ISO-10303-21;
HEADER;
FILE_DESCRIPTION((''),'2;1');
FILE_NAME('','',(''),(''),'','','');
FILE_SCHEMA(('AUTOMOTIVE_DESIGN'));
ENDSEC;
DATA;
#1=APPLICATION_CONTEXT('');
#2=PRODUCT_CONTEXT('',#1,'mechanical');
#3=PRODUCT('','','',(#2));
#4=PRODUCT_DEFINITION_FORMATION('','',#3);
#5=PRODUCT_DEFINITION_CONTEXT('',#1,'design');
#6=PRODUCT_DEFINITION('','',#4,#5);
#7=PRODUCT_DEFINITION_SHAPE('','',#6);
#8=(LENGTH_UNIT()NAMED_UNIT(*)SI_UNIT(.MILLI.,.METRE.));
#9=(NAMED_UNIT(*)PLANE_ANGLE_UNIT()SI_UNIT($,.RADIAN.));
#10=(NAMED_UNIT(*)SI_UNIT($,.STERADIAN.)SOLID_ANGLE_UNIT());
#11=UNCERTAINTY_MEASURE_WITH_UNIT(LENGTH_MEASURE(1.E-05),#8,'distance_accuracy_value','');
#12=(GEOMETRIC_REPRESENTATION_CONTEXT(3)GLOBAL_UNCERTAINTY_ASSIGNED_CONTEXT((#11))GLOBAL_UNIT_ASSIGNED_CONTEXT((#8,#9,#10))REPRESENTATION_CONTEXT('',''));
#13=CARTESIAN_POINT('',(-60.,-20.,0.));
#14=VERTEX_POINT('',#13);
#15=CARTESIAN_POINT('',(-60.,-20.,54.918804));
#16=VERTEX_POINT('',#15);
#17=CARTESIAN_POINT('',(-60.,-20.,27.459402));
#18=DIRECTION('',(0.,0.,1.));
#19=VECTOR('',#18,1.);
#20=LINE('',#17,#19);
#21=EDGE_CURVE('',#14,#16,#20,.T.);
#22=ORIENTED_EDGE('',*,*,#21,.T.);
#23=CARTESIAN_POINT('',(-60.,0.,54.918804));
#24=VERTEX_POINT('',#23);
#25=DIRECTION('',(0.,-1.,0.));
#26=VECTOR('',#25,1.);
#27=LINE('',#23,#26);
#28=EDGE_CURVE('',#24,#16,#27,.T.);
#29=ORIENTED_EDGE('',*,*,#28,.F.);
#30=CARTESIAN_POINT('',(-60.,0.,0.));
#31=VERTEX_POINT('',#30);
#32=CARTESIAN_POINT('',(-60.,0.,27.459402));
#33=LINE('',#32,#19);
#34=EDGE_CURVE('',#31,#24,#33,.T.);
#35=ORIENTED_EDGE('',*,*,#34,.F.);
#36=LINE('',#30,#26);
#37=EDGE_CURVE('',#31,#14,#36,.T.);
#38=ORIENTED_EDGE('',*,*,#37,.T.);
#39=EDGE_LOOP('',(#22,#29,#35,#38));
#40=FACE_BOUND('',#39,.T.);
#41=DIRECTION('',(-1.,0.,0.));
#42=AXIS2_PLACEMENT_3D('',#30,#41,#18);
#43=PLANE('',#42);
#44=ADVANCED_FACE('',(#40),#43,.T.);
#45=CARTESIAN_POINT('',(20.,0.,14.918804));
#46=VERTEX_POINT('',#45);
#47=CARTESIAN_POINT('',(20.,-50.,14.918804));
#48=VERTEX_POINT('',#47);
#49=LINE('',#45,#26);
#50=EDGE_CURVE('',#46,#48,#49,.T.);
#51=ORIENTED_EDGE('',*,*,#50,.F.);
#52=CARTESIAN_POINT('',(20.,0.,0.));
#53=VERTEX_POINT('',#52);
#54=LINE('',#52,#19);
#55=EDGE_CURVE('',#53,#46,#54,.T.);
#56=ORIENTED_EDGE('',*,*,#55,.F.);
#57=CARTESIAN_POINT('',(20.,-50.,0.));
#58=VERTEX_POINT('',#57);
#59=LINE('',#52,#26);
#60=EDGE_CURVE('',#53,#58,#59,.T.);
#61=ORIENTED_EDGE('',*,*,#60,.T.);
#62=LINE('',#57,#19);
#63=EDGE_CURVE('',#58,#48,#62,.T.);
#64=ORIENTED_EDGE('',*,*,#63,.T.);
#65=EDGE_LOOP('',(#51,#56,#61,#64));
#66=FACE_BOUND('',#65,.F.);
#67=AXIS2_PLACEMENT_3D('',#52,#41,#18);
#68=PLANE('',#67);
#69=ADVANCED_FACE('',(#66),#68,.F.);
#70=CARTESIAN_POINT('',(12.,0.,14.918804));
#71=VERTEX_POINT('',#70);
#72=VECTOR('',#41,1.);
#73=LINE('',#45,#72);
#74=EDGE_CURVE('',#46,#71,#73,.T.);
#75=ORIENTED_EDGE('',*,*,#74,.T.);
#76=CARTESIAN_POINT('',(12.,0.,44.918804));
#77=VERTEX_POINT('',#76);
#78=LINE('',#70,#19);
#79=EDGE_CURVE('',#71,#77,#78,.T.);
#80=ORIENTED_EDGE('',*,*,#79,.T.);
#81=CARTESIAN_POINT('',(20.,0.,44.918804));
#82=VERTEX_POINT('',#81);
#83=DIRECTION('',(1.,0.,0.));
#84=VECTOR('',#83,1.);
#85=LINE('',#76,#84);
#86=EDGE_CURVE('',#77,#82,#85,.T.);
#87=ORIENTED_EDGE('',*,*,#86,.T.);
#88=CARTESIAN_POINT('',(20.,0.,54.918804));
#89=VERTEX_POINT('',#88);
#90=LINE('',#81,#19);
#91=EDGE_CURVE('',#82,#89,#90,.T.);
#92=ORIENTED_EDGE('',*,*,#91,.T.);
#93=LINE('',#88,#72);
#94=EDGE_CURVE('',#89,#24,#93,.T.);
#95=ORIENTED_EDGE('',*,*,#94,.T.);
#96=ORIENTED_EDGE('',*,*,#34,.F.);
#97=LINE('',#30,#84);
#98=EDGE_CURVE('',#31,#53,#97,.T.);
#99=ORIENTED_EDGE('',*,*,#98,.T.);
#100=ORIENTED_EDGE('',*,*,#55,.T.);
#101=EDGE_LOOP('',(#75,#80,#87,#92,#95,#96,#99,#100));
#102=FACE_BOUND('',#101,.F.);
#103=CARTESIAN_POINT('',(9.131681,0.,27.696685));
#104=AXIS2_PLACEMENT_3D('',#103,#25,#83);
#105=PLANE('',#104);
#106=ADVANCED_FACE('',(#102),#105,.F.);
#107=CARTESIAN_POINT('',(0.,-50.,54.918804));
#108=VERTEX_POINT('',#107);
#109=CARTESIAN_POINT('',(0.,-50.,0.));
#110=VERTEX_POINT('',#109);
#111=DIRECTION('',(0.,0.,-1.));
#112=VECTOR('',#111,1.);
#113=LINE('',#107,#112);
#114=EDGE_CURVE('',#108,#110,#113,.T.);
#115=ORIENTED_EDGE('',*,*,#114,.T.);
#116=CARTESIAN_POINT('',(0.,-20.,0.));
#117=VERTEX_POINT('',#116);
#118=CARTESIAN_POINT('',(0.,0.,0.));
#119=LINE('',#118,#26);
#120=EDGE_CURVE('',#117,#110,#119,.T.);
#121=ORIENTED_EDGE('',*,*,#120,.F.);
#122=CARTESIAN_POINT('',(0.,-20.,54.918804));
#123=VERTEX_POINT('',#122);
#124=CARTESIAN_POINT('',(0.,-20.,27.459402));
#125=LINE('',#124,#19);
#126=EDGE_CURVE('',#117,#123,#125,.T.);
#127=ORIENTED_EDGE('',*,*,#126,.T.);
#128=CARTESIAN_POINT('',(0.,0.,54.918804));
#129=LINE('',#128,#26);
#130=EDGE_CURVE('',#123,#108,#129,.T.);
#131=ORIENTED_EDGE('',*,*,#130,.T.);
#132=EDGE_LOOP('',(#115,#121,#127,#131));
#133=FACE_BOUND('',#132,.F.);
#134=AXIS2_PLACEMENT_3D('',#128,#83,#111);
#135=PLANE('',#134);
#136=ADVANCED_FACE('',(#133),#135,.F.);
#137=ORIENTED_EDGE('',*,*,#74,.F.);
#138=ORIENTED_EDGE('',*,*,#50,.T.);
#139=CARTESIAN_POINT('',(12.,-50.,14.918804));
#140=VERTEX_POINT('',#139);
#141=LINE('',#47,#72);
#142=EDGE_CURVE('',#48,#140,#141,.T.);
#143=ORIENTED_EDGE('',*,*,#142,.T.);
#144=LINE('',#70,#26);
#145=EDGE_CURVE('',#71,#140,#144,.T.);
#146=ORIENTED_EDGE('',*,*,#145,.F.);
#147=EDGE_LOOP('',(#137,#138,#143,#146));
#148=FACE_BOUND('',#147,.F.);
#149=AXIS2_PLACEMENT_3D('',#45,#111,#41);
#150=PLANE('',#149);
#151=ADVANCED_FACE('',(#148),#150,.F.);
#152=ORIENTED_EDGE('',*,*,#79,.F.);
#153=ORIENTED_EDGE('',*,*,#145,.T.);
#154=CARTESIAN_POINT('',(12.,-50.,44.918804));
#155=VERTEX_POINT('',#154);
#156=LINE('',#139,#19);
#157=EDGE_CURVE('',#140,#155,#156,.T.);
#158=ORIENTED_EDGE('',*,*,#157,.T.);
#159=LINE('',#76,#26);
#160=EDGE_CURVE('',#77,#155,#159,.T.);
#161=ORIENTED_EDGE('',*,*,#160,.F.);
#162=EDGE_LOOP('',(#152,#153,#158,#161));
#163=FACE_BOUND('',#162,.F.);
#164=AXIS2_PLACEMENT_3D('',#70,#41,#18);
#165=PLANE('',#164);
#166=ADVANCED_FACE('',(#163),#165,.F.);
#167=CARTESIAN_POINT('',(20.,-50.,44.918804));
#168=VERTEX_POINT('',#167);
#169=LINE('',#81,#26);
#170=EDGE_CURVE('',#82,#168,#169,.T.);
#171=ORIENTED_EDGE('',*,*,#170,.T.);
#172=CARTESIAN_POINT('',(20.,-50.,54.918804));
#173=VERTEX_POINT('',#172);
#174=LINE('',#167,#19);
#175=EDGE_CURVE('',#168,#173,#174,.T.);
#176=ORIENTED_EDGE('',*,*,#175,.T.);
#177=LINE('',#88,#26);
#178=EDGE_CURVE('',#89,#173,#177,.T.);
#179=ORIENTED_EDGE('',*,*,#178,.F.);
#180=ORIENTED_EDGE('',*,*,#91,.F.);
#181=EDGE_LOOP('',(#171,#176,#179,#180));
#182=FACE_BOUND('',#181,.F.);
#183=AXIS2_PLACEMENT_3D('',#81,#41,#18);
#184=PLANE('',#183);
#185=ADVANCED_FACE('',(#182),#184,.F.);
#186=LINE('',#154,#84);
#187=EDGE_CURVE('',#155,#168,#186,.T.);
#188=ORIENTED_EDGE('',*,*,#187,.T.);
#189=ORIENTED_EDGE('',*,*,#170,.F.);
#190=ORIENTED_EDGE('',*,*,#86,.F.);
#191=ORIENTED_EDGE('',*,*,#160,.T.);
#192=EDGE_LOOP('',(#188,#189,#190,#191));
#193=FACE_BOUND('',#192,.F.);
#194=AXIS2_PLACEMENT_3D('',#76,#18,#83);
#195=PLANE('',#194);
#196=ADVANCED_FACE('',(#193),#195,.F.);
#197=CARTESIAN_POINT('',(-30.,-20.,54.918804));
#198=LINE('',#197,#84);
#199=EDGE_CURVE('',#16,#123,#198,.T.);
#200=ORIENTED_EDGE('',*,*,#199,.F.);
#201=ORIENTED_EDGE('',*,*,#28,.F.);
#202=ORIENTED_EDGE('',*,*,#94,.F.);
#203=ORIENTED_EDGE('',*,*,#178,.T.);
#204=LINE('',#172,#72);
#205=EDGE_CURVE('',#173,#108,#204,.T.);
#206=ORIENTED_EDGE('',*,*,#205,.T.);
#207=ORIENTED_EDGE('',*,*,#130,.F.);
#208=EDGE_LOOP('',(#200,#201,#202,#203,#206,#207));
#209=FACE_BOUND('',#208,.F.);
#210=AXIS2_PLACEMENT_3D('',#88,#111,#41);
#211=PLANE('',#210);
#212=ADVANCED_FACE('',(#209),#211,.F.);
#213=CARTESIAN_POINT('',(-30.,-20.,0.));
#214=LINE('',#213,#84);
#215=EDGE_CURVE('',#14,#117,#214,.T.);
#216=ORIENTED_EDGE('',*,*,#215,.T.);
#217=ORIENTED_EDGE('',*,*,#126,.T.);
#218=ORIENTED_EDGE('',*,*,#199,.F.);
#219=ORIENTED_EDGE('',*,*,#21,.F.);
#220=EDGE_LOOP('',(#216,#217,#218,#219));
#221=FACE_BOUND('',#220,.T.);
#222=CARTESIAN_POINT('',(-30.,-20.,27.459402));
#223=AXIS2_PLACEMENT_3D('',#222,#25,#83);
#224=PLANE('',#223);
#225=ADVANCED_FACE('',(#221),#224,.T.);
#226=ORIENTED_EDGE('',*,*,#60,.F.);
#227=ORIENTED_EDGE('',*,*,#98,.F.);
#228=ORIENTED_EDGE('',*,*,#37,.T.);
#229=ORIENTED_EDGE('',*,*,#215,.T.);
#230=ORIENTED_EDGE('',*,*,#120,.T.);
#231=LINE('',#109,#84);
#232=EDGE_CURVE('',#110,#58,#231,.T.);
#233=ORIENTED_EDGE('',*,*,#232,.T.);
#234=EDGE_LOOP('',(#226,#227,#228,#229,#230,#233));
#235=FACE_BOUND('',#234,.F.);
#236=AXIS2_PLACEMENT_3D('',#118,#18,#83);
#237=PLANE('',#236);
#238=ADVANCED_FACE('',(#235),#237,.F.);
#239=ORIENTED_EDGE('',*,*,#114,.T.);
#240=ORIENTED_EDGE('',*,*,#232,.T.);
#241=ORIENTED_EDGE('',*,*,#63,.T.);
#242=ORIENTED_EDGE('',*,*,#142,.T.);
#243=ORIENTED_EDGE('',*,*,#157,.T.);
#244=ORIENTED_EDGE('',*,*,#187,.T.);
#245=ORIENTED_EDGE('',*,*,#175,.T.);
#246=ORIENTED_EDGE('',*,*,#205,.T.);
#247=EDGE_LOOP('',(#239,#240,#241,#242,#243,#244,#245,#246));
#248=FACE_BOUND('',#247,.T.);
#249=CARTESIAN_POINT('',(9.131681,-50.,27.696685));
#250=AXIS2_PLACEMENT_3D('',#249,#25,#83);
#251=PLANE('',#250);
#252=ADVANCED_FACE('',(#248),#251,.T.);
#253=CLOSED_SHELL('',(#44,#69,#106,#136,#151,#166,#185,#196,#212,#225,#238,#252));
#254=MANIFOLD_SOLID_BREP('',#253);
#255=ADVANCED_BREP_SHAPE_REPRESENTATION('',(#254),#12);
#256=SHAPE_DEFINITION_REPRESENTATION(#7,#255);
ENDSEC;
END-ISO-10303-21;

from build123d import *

# Parameters (mm, degrees)
F0_W     = 60
F0_H     = 54.918804
F1_DEPTH = 20
F2_DEPTH = 50


with BuildPart() as f1:
    # F0 (on Front) → F1 (new body)
    with BuildSketch(Plane.XZ):
        with Locations((-30, 27.459402)):
            Rectangle(F0_W, F0_H)
    extrude(amount=F1_DEPTH)

    # F0 (on Front) → F2 (join)
    with BuildSketch(Plane.XZ):
        Polygon((0, 54.918804), (0, 0), (20, 0), (20, 14.918804), (12, 14.918804), (12, 44.918804), (20, 44.918804), (20, 54.918804), align=None)
    extrude(amount=F2_DEPTH)


solid = f1.part
